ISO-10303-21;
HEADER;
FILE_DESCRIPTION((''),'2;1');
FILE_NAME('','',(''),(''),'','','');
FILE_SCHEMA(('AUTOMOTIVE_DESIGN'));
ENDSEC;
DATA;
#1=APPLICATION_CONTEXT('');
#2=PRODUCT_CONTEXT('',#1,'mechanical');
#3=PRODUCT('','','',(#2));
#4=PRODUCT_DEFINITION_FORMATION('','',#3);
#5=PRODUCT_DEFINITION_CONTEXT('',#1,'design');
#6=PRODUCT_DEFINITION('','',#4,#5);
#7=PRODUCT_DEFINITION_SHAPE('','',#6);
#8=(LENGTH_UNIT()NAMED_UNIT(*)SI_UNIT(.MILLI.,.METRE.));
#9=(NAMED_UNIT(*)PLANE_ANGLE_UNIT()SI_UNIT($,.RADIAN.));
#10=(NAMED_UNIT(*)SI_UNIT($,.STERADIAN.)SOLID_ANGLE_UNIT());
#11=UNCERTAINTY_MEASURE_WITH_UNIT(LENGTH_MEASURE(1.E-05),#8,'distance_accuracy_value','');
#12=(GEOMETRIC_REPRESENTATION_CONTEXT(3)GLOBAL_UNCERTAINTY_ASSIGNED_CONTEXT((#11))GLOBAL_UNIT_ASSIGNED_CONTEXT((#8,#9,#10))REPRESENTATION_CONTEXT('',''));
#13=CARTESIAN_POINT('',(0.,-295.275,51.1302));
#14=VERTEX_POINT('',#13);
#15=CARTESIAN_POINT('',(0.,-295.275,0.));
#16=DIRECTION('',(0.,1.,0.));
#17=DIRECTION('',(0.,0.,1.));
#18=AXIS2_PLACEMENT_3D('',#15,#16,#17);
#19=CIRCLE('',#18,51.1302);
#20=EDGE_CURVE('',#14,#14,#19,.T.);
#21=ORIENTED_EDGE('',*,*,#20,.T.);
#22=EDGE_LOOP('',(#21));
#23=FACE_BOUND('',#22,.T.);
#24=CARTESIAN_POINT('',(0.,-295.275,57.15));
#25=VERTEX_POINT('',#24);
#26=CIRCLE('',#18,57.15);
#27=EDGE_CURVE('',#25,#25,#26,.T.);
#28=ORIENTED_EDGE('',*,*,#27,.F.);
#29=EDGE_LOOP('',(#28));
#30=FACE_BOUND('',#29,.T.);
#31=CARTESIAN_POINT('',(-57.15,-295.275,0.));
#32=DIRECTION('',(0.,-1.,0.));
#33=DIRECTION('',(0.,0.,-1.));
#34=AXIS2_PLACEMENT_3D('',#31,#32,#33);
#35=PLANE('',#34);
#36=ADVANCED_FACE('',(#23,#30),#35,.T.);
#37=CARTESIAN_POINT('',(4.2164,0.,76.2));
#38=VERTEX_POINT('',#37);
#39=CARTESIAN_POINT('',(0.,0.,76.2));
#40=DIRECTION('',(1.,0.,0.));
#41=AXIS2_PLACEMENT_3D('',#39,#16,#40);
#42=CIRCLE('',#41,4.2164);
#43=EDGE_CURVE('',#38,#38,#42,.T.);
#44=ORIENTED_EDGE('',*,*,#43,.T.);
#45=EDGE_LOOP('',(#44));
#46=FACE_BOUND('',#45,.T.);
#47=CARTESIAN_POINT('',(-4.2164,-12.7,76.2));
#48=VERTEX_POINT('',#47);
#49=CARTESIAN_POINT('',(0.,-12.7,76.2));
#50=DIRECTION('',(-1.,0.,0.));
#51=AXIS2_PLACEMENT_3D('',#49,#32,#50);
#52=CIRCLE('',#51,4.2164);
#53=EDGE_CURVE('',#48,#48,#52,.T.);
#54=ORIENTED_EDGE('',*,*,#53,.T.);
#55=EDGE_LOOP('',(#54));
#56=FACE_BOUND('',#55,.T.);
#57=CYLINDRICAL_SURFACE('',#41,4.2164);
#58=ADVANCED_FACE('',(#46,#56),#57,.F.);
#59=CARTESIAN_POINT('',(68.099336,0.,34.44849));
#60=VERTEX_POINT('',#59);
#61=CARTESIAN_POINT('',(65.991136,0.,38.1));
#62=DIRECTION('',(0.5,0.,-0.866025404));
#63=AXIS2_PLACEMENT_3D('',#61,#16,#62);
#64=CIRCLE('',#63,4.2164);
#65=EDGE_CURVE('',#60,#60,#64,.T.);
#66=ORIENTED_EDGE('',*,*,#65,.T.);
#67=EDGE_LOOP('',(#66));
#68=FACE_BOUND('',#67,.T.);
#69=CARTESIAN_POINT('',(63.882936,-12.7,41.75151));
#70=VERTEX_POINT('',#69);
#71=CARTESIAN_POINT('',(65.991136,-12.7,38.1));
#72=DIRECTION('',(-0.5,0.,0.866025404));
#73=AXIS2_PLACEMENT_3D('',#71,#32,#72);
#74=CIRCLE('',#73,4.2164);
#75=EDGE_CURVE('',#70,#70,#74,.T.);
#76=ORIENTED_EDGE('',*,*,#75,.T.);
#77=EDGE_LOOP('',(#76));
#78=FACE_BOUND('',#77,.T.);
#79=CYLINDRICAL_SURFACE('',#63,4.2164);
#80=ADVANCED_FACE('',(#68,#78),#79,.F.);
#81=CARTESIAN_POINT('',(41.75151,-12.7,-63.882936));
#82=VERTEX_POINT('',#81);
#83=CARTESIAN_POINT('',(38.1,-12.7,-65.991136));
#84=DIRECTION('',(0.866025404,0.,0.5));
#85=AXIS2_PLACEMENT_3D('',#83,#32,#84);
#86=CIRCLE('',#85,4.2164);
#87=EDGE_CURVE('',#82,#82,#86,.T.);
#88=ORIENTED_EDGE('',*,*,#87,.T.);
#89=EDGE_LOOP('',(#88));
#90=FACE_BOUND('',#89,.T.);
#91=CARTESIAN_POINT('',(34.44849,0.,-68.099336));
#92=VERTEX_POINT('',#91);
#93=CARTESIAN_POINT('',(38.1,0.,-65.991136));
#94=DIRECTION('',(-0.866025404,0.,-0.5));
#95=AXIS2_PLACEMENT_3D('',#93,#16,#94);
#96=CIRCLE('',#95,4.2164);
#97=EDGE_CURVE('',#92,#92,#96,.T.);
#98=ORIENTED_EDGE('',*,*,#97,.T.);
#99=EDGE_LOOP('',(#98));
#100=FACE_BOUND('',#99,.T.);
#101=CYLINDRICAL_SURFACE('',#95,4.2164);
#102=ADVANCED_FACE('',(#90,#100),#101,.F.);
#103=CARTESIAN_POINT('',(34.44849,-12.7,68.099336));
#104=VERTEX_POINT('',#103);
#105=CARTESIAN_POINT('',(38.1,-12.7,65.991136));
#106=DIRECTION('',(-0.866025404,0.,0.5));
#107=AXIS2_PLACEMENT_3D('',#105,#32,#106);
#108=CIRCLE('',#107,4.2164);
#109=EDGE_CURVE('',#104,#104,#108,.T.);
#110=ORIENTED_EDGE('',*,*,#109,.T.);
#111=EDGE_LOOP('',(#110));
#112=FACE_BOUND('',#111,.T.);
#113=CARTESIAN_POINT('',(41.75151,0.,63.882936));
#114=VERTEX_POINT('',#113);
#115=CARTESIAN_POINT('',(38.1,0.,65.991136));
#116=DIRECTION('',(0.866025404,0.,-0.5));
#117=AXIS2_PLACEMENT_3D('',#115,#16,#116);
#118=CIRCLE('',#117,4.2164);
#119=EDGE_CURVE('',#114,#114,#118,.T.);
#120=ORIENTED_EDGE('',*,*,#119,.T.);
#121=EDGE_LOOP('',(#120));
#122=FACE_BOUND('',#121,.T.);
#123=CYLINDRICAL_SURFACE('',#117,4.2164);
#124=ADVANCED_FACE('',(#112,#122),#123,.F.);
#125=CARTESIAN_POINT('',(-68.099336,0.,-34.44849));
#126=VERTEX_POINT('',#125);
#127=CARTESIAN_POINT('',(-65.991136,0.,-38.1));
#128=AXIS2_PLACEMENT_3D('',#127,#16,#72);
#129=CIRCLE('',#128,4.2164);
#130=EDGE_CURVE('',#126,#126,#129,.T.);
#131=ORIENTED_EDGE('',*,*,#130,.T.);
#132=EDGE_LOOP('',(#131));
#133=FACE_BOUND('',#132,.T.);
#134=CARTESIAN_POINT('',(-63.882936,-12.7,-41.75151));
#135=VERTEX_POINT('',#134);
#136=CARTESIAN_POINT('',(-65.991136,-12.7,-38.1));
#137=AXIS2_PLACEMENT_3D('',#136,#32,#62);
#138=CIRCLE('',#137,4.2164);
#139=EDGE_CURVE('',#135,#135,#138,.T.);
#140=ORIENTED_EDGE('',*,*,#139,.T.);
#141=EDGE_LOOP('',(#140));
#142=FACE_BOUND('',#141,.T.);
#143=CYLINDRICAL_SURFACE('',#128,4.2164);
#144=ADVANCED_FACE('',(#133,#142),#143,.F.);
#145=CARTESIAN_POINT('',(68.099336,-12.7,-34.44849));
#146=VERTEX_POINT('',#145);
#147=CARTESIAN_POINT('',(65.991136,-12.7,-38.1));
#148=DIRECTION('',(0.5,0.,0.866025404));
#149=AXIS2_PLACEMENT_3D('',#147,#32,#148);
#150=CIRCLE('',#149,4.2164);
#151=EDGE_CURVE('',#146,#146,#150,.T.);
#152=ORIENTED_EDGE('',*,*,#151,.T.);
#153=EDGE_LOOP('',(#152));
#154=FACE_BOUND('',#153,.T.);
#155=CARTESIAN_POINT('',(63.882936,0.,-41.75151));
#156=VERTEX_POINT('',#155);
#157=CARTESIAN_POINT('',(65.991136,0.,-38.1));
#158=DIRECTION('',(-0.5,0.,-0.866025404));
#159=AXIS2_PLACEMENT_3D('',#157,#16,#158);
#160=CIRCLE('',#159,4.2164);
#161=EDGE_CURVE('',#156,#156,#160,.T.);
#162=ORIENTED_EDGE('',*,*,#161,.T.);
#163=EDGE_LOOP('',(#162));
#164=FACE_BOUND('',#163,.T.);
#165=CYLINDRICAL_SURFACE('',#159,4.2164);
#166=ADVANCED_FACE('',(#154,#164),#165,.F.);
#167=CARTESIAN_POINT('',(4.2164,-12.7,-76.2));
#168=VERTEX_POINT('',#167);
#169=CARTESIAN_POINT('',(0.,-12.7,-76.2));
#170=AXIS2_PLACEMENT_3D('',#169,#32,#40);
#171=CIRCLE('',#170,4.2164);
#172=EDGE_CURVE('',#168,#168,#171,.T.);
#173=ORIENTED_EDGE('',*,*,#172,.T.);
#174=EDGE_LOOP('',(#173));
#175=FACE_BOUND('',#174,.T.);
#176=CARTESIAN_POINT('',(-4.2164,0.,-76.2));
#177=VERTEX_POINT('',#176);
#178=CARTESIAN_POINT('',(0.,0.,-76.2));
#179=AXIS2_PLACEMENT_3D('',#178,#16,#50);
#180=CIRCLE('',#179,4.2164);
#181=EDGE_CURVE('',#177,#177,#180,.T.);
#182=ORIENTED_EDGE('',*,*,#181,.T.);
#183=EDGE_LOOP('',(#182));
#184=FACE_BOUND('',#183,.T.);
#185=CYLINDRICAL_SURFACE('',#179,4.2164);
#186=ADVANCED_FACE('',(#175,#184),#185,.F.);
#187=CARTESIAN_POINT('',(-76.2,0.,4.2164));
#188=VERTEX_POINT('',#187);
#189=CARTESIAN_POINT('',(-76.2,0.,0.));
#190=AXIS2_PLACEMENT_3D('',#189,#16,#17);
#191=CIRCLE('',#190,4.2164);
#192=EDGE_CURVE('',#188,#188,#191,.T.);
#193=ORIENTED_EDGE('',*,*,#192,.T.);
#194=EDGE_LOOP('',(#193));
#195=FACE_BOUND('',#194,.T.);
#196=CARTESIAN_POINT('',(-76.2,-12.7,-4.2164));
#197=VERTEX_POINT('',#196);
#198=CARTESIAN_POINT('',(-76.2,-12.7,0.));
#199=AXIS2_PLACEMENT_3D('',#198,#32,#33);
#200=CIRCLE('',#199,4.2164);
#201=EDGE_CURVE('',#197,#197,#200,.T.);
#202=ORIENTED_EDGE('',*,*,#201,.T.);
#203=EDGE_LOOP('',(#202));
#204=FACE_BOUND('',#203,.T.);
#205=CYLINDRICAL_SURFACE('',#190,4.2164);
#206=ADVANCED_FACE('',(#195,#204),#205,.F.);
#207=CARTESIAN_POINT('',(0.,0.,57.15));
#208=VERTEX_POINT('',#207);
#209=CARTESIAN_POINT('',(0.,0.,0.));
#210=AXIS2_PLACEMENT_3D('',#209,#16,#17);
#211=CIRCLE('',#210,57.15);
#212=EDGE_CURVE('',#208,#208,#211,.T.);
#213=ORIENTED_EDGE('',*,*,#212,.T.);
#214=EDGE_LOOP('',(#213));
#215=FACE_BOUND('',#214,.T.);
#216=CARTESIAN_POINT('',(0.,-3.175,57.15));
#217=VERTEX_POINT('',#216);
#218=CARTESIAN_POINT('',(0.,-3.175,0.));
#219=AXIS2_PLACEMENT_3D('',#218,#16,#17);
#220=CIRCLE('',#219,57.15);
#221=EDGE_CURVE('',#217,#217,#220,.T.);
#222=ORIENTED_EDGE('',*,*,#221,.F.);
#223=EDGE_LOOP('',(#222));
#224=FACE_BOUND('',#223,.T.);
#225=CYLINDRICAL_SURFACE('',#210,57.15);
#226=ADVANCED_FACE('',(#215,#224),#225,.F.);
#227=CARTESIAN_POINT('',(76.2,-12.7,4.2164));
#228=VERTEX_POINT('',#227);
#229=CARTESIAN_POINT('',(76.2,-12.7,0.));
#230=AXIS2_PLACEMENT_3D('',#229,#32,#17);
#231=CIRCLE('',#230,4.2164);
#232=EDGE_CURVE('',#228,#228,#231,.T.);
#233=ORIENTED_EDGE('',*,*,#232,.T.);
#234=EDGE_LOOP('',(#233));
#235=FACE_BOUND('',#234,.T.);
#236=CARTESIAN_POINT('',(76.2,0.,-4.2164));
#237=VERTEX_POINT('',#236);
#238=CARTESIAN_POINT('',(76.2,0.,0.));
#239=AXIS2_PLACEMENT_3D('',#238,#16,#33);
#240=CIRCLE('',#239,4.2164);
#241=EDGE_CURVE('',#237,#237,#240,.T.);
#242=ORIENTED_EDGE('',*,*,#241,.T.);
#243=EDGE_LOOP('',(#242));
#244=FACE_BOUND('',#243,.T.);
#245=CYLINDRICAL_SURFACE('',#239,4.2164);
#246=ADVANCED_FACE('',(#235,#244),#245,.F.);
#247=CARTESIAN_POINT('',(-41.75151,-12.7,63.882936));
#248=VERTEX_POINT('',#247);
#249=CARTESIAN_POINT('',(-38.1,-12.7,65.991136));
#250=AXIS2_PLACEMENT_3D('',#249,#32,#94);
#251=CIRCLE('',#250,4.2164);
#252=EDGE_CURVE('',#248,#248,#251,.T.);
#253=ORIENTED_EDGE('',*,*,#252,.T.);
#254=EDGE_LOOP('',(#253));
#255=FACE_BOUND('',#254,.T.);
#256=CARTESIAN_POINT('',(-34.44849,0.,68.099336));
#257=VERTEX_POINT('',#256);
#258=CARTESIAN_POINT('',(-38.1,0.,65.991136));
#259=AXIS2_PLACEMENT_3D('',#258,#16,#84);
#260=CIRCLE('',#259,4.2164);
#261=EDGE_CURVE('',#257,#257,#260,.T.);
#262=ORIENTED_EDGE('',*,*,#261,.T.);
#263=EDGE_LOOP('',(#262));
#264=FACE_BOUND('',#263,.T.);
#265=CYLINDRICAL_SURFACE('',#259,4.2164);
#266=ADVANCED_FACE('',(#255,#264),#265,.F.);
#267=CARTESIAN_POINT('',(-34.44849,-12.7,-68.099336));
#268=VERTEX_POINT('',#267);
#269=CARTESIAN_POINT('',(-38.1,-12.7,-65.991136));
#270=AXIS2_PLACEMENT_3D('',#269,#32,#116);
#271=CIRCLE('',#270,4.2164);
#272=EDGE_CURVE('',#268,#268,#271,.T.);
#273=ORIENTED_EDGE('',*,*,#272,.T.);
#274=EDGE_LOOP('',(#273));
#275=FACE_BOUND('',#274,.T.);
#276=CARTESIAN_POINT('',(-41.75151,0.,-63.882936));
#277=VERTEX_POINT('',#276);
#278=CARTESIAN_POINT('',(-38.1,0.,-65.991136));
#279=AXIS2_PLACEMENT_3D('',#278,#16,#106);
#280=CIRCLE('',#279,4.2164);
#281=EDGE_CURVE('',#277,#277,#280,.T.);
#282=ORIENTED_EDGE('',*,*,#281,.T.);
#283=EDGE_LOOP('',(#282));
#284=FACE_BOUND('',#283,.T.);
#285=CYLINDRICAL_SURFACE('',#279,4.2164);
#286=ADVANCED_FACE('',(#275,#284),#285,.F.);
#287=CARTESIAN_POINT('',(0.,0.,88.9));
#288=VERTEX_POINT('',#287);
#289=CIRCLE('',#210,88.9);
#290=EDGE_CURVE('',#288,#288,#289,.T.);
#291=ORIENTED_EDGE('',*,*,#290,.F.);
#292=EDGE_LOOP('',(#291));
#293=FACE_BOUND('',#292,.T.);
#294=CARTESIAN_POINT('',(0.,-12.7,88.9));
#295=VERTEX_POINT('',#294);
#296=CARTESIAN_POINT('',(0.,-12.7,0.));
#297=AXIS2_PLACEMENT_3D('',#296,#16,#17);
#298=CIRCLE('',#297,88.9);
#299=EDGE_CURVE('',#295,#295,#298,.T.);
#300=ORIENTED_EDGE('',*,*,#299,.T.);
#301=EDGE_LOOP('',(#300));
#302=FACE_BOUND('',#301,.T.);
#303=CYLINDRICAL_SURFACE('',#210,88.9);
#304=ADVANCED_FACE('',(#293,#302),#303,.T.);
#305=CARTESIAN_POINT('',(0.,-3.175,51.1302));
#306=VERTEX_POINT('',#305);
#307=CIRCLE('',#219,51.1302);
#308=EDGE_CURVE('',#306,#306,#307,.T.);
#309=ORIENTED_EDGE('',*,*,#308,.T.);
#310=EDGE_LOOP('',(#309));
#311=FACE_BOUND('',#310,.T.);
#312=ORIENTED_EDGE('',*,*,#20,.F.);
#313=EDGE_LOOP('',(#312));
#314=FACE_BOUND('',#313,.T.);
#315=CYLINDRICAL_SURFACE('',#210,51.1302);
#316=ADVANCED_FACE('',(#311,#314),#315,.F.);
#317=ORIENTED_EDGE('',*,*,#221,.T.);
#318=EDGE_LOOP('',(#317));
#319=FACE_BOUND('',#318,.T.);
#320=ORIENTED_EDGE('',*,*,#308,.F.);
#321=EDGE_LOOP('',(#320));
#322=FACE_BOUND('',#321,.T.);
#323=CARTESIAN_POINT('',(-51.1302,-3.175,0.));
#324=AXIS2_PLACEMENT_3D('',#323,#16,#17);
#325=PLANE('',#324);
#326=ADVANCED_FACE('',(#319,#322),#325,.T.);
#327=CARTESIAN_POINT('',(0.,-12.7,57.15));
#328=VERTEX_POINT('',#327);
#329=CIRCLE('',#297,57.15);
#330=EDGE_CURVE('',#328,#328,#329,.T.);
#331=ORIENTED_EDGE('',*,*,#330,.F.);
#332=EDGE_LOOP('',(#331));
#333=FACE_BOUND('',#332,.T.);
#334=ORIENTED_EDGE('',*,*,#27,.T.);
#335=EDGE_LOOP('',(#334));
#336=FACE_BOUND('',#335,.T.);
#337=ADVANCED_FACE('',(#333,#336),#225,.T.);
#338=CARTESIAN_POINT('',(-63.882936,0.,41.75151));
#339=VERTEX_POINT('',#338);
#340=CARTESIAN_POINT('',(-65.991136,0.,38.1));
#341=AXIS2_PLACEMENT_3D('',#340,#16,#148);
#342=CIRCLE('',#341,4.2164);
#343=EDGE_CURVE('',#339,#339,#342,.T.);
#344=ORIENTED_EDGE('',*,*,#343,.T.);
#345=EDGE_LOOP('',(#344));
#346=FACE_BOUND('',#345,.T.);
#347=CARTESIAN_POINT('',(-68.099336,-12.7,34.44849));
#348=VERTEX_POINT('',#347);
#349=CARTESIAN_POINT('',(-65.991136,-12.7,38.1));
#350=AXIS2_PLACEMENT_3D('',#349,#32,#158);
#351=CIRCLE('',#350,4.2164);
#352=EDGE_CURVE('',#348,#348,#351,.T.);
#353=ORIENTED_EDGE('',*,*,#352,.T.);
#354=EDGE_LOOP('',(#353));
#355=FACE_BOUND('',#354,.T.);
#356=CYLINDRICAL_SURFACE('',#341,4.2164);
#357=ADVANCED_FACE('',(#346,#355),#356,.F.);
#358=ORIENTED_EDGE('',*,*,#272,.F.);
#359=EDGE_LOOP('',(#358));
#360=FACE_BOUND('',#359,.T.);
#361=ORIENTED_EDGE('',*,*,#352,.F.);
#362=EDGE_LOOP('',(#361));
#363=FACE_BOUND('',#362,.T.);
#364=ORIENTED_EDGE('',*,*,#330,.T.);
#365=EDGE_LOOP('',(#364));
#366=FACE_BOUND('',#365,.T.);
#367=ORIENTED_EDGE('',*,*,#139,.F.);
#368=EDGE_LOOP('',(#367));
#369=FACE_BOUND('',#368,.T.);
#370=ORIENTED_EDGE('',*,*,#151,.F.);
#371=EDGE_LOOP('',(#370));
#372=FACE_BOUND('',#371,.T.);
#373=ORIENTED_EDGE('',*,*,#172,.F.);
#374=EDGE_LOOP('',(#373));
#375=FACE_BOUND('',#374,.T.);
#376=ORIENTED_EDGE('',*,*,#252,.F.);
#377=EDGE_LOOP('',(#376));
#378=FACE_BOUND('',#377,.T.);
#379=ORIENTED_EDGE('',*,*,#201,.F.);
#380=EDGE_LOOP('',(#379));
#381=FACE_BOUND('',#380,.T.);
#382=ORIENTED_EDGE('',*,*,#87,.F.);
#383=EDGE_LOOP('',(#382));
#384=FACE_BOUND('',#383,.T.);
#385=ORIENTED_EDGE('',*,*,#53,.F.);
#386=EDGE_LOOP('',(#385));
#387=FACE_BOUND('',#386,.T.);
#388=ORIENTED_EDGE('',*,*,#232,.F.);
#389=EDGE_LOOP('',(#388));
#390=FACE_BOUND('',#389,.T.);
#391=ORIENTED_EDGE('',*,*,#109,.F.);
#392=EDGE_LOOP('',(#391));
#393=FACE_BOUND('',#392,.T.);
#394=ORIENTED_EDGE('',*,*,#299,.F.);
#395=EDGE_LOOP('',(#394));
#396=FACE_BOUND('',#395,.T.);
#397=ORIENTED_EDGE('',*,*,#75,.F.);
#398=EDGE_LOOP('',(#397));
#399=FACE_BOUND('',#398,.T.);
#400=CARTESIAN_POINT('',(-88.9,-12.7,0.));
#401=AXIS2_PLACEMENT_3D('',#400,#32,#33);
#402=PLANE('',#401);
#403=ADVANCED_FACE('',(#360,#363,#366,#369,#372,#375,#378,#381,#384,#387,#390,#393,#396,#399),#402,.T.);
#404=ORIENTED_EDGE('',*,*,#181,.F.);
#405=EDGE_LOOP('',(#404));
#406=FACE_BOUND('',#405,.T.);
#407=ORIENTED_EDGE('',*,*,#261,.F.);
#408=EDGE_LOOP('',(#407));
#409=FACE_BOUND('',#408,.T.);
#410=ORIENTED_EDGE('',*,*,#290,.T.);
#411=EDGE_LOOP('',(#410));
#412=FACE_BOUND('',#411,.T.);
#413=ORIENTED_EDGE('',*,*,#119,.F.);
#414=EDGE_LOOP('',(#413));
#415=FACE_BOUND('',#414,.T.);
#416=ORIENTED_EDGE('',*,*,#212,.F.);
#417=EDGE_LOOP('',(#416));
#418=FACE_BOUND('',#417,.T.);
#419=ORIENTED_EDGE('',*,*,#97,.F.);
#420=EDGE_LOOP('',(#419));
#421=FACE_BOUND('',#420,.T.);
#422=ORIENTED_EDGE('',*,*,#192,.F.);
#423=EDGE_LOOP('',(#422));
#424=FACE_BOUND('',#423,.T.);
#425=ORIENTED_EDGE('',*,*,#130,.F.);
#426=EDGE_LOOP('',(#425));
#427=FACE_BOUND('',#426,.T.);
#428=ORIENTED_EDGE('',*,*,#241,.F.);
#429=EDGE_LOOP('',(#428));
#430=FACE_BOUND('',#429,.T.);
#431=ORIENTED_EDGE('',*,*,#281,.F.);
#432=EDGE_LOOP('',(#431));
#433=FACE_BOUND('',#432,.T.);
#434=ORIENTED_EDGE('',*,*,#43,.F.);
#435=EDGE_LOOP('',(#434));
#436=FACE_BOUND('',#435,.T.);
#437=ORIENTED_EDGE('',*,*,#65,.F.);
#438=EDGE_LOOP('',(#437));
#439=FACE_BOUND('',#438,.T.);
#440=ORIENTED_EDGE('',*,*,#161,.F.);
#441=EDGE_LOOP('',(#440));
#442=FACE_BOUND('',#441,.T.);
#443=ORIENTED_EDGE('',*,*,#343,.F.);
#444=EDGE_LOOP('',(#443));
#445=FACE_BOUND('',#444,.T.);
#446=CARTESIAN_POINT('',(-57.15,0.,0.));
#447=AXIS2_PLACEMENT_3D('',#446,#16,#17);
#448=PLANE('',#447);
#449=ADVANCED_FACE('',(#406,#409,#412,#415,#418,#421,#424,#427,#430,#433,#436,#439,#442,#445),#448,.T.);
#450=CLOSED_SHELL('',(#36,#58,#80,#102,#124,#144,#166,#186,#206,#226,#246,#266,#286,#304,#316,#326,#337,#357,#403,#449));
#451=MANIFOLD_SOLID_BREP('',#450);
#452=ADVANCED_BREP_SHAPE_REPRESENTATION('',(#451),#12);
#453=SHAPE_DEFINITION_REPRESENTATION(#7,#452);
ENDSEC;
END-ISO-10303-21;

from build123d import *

# Parameters (mm, degrees)
F_5_16_CLEARANCE_HOLE1_D = 8.4328
CIRPATTERN1_COUNT        = 12


with BuildPart() as part:
    # Sketch1 → Revolve1 (revolve)
    with BuildSketch(Plane.XY):
        Polygon((-57.15, 0), (-88.9, 0), (-88.9, -12.7), (-57.15, -12.7), (-57.15, -295.275), (-51.1302, -295.275), (-51.1302, -3.175), (-57.15, -3.175), align=None)
    revolve(axis=Axis((0, 0, 0), (0, -1, 0)))

    # 5/16 Clearance Hole1 (through all)
    with Locations(Plane(origin=(0, 0, 0), x_dir=(1, 0, 0), z_dir=(0, 1, 0))):
        with Locations((-76.2, 0)):
            f_5_16_clearance_hole1 = Hole(F_5_16_CLEARANCE_HOLE1_D / 2)

    # CirPattern1: 5/16 Clearance Hole1 ×12 about axis
    cirpattern1_axis = Axis((0, 0, 0), (0, 1, 0))
    for i in range(1, CIRPATTERN1_COUNT):
        add(f_5_16_clearance_hole1.rotate(cirpattern1_axis, i * 360 / CIRPATTERN1_COUNT), mode=Mode.SUBTRACT)


solid = part.part
